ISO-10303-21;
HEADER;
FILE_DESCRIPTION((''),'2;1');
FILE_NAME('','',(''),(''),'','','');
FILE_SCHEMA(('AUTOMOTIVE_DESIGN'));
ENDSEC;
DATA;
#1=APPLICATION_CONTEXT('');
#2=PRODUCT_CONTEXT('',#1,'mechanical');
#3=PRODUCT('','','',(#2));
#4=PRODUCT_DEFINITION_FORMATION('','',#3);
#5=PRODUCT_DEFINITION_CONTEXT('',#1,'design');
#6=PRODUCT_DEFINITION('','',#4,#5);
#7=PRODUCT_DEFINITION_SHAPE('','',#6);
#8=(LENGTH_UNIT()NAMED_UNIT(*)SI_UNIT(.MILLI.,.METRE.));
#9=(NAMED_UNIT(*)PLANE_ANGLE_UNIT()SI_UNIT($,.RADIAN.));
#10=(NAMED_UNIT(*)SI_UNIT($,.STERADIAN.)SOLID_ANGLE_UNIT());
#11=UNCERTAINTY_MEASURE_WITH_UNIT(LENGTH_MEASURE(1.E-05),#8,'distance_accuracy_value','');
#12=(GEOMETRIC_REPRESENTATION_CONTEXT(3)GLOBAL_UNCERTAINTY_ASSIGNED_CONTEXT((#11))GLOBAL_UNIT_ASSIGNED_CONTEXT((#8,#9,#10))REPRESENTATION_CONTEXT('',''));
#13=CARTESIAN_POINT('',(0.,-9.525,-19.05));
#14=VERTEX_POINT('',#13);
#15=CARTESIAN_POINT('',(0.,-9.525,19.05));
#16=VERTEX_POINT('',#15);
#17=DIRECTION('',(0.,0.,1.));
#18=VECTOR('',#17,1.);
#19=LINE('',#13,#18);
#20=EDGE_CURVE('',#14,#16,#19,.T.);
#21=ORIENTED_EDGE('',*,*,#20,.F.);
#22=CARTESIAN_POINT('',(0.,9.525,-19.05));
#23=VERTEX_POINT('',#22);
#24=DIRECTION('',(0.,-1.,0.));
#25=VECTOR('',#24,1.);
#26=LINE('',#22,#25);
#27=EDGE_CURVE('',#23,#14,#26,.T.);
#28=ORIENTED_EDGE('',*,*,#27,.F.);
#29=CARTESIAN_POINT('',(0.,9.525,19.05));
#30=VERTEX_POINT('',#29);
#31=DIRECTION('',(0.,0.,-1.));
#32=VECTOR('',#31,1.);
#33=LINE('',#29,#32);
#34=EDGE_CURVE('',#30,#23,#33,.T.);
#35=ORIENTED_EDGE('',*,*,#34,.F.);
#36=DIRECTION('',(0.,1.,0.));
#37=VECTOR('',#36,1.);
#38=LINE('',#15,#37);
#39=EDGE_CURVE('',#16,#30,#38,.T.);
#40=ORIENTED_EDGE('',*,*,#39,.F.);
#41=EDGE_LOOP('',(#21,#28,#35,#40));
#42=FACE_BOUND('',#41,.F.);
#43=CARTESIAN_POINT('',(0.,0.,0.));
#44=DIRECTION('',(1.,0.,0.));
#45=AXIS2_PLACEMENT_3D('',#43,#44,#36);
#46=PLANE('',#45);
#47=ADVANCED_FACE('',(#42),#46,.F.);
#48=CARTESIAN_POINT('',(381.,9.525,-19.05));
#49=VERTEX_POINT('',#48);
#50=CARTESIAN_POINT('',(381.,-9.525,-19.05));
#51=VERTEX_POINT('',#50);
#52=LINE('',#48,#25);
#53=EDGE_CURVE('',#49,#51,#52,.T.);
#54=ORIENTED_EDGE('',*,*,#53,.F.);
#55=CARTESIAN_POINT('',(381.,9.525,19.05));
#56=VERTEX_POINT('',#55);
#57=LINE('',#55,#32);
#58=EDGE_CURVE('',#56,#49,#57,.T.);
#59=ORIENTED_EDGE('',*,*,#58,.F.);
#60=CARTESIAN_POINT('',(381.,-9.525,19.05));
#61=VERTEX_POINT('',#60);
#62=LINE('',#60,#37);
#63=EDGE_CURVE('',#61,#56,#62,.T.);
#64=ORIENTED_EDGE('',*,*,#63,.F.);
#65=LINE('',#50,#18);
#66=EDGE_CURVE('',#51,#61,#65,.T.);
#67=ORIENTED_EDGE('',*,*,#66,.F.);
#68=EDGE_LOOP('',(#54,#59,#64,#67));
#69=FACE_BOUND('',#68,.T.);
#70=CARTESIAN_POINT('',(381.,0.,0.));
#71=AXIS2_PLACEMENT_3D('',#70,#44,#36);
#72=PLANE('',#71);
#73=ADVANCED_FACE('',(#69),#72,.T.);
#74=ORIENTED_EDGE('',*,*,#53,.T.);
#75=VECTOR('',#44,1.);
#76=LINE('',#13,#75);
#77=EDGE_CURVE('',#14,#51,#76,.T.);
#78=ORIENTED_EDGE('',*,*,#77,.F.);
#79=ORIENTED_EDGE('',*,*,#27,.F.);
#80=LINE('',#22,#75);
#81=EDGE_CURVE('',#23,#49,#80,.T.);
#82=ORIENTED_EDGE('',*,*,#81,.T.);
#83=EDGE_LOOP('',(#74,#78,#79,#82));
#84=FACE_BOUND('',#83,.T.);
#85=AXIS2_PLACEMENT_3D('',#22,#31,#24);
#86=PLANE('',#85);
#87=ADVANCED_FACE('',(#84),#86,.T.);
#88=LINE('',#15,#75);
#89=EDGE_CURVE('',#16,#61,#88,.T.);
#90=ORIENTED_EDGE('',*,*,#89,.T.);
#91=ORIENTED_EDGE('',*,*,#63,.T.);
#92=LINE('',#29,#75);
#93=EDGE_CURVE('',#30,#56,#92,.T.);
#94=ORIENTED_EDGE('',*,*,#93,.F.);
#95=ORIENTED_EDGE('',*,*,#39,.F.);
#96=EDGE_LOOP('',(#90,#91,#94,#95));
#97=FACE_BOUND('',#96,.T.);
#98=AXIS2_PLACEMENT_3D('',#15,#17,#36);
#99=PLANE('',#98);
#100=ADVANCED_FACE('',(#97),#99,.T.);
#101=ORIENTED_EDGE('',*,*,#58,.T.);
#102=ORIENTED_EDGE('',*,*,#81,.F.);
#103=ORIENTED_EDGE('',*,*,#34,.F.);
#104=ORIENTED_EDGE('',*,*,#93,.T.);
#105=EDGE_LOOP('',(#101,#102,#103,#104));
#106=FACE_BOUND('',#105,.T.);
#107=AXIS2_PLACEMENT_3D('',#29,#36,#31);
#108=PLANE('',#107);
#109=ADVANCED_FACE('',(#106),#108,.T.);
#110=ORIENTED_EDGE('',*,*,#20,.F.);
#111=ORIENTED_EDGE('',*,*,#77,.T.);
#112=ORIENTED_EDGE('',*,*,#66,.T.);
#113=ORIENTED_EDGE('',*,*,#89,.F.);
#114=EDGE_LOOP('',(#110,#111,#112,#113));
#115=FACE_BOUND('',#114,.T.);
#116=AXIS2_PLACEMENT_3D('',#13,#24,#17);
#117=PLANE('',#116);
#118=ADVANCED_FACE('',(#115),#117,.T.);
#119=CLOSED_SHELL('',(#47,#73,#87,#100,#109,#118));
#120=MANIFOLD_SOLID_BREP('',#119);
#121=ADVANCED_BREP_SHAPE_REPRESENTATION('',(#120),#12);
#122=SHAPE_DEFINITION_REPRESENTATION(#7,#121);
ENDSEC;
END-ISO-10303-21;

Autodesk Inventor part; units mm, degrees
ref_plane "YZ Plane" through (0, 0, 0) normal (1, 0, 0) x (0, 1, 0)
ref_plane "XZ Plane" through (0, 0, 0) normal (0, 1, 0) x (-1, 0, 0)
ref_plane "XY Plane" through (0, 0, 0) normal (0, 0, 1) x (1, 0, 0)
sketch "Sketch1" plane through (0, 0, 0) normal (1, 0, 0) x (0, 1, 0)
  line L0 (-9.525, 19.05) -> (9.525, 19.05)
  line L1 (9.525, 19.05) -> (9.525, -19.05)
  line L2 (9.525, -19.05) -> (-9.525, -19.05)
  line L3 (-9.525, -19.05) -> (-9.525, 19.05)
  line L4 (-9.525, 19.05) -> (9.525, -19.05) construction
  line L5 (9.525, 19.05) -> (-9.525, -19.05) construction
  point P0 (0, 0)
  dimension "d0" = 19.05
  dimension "d1" = 38.1
extrude "Extrusion1" add sketch "Sketch1" along normal blind 381
properties part number "Rack and Pinion Frame Back"
